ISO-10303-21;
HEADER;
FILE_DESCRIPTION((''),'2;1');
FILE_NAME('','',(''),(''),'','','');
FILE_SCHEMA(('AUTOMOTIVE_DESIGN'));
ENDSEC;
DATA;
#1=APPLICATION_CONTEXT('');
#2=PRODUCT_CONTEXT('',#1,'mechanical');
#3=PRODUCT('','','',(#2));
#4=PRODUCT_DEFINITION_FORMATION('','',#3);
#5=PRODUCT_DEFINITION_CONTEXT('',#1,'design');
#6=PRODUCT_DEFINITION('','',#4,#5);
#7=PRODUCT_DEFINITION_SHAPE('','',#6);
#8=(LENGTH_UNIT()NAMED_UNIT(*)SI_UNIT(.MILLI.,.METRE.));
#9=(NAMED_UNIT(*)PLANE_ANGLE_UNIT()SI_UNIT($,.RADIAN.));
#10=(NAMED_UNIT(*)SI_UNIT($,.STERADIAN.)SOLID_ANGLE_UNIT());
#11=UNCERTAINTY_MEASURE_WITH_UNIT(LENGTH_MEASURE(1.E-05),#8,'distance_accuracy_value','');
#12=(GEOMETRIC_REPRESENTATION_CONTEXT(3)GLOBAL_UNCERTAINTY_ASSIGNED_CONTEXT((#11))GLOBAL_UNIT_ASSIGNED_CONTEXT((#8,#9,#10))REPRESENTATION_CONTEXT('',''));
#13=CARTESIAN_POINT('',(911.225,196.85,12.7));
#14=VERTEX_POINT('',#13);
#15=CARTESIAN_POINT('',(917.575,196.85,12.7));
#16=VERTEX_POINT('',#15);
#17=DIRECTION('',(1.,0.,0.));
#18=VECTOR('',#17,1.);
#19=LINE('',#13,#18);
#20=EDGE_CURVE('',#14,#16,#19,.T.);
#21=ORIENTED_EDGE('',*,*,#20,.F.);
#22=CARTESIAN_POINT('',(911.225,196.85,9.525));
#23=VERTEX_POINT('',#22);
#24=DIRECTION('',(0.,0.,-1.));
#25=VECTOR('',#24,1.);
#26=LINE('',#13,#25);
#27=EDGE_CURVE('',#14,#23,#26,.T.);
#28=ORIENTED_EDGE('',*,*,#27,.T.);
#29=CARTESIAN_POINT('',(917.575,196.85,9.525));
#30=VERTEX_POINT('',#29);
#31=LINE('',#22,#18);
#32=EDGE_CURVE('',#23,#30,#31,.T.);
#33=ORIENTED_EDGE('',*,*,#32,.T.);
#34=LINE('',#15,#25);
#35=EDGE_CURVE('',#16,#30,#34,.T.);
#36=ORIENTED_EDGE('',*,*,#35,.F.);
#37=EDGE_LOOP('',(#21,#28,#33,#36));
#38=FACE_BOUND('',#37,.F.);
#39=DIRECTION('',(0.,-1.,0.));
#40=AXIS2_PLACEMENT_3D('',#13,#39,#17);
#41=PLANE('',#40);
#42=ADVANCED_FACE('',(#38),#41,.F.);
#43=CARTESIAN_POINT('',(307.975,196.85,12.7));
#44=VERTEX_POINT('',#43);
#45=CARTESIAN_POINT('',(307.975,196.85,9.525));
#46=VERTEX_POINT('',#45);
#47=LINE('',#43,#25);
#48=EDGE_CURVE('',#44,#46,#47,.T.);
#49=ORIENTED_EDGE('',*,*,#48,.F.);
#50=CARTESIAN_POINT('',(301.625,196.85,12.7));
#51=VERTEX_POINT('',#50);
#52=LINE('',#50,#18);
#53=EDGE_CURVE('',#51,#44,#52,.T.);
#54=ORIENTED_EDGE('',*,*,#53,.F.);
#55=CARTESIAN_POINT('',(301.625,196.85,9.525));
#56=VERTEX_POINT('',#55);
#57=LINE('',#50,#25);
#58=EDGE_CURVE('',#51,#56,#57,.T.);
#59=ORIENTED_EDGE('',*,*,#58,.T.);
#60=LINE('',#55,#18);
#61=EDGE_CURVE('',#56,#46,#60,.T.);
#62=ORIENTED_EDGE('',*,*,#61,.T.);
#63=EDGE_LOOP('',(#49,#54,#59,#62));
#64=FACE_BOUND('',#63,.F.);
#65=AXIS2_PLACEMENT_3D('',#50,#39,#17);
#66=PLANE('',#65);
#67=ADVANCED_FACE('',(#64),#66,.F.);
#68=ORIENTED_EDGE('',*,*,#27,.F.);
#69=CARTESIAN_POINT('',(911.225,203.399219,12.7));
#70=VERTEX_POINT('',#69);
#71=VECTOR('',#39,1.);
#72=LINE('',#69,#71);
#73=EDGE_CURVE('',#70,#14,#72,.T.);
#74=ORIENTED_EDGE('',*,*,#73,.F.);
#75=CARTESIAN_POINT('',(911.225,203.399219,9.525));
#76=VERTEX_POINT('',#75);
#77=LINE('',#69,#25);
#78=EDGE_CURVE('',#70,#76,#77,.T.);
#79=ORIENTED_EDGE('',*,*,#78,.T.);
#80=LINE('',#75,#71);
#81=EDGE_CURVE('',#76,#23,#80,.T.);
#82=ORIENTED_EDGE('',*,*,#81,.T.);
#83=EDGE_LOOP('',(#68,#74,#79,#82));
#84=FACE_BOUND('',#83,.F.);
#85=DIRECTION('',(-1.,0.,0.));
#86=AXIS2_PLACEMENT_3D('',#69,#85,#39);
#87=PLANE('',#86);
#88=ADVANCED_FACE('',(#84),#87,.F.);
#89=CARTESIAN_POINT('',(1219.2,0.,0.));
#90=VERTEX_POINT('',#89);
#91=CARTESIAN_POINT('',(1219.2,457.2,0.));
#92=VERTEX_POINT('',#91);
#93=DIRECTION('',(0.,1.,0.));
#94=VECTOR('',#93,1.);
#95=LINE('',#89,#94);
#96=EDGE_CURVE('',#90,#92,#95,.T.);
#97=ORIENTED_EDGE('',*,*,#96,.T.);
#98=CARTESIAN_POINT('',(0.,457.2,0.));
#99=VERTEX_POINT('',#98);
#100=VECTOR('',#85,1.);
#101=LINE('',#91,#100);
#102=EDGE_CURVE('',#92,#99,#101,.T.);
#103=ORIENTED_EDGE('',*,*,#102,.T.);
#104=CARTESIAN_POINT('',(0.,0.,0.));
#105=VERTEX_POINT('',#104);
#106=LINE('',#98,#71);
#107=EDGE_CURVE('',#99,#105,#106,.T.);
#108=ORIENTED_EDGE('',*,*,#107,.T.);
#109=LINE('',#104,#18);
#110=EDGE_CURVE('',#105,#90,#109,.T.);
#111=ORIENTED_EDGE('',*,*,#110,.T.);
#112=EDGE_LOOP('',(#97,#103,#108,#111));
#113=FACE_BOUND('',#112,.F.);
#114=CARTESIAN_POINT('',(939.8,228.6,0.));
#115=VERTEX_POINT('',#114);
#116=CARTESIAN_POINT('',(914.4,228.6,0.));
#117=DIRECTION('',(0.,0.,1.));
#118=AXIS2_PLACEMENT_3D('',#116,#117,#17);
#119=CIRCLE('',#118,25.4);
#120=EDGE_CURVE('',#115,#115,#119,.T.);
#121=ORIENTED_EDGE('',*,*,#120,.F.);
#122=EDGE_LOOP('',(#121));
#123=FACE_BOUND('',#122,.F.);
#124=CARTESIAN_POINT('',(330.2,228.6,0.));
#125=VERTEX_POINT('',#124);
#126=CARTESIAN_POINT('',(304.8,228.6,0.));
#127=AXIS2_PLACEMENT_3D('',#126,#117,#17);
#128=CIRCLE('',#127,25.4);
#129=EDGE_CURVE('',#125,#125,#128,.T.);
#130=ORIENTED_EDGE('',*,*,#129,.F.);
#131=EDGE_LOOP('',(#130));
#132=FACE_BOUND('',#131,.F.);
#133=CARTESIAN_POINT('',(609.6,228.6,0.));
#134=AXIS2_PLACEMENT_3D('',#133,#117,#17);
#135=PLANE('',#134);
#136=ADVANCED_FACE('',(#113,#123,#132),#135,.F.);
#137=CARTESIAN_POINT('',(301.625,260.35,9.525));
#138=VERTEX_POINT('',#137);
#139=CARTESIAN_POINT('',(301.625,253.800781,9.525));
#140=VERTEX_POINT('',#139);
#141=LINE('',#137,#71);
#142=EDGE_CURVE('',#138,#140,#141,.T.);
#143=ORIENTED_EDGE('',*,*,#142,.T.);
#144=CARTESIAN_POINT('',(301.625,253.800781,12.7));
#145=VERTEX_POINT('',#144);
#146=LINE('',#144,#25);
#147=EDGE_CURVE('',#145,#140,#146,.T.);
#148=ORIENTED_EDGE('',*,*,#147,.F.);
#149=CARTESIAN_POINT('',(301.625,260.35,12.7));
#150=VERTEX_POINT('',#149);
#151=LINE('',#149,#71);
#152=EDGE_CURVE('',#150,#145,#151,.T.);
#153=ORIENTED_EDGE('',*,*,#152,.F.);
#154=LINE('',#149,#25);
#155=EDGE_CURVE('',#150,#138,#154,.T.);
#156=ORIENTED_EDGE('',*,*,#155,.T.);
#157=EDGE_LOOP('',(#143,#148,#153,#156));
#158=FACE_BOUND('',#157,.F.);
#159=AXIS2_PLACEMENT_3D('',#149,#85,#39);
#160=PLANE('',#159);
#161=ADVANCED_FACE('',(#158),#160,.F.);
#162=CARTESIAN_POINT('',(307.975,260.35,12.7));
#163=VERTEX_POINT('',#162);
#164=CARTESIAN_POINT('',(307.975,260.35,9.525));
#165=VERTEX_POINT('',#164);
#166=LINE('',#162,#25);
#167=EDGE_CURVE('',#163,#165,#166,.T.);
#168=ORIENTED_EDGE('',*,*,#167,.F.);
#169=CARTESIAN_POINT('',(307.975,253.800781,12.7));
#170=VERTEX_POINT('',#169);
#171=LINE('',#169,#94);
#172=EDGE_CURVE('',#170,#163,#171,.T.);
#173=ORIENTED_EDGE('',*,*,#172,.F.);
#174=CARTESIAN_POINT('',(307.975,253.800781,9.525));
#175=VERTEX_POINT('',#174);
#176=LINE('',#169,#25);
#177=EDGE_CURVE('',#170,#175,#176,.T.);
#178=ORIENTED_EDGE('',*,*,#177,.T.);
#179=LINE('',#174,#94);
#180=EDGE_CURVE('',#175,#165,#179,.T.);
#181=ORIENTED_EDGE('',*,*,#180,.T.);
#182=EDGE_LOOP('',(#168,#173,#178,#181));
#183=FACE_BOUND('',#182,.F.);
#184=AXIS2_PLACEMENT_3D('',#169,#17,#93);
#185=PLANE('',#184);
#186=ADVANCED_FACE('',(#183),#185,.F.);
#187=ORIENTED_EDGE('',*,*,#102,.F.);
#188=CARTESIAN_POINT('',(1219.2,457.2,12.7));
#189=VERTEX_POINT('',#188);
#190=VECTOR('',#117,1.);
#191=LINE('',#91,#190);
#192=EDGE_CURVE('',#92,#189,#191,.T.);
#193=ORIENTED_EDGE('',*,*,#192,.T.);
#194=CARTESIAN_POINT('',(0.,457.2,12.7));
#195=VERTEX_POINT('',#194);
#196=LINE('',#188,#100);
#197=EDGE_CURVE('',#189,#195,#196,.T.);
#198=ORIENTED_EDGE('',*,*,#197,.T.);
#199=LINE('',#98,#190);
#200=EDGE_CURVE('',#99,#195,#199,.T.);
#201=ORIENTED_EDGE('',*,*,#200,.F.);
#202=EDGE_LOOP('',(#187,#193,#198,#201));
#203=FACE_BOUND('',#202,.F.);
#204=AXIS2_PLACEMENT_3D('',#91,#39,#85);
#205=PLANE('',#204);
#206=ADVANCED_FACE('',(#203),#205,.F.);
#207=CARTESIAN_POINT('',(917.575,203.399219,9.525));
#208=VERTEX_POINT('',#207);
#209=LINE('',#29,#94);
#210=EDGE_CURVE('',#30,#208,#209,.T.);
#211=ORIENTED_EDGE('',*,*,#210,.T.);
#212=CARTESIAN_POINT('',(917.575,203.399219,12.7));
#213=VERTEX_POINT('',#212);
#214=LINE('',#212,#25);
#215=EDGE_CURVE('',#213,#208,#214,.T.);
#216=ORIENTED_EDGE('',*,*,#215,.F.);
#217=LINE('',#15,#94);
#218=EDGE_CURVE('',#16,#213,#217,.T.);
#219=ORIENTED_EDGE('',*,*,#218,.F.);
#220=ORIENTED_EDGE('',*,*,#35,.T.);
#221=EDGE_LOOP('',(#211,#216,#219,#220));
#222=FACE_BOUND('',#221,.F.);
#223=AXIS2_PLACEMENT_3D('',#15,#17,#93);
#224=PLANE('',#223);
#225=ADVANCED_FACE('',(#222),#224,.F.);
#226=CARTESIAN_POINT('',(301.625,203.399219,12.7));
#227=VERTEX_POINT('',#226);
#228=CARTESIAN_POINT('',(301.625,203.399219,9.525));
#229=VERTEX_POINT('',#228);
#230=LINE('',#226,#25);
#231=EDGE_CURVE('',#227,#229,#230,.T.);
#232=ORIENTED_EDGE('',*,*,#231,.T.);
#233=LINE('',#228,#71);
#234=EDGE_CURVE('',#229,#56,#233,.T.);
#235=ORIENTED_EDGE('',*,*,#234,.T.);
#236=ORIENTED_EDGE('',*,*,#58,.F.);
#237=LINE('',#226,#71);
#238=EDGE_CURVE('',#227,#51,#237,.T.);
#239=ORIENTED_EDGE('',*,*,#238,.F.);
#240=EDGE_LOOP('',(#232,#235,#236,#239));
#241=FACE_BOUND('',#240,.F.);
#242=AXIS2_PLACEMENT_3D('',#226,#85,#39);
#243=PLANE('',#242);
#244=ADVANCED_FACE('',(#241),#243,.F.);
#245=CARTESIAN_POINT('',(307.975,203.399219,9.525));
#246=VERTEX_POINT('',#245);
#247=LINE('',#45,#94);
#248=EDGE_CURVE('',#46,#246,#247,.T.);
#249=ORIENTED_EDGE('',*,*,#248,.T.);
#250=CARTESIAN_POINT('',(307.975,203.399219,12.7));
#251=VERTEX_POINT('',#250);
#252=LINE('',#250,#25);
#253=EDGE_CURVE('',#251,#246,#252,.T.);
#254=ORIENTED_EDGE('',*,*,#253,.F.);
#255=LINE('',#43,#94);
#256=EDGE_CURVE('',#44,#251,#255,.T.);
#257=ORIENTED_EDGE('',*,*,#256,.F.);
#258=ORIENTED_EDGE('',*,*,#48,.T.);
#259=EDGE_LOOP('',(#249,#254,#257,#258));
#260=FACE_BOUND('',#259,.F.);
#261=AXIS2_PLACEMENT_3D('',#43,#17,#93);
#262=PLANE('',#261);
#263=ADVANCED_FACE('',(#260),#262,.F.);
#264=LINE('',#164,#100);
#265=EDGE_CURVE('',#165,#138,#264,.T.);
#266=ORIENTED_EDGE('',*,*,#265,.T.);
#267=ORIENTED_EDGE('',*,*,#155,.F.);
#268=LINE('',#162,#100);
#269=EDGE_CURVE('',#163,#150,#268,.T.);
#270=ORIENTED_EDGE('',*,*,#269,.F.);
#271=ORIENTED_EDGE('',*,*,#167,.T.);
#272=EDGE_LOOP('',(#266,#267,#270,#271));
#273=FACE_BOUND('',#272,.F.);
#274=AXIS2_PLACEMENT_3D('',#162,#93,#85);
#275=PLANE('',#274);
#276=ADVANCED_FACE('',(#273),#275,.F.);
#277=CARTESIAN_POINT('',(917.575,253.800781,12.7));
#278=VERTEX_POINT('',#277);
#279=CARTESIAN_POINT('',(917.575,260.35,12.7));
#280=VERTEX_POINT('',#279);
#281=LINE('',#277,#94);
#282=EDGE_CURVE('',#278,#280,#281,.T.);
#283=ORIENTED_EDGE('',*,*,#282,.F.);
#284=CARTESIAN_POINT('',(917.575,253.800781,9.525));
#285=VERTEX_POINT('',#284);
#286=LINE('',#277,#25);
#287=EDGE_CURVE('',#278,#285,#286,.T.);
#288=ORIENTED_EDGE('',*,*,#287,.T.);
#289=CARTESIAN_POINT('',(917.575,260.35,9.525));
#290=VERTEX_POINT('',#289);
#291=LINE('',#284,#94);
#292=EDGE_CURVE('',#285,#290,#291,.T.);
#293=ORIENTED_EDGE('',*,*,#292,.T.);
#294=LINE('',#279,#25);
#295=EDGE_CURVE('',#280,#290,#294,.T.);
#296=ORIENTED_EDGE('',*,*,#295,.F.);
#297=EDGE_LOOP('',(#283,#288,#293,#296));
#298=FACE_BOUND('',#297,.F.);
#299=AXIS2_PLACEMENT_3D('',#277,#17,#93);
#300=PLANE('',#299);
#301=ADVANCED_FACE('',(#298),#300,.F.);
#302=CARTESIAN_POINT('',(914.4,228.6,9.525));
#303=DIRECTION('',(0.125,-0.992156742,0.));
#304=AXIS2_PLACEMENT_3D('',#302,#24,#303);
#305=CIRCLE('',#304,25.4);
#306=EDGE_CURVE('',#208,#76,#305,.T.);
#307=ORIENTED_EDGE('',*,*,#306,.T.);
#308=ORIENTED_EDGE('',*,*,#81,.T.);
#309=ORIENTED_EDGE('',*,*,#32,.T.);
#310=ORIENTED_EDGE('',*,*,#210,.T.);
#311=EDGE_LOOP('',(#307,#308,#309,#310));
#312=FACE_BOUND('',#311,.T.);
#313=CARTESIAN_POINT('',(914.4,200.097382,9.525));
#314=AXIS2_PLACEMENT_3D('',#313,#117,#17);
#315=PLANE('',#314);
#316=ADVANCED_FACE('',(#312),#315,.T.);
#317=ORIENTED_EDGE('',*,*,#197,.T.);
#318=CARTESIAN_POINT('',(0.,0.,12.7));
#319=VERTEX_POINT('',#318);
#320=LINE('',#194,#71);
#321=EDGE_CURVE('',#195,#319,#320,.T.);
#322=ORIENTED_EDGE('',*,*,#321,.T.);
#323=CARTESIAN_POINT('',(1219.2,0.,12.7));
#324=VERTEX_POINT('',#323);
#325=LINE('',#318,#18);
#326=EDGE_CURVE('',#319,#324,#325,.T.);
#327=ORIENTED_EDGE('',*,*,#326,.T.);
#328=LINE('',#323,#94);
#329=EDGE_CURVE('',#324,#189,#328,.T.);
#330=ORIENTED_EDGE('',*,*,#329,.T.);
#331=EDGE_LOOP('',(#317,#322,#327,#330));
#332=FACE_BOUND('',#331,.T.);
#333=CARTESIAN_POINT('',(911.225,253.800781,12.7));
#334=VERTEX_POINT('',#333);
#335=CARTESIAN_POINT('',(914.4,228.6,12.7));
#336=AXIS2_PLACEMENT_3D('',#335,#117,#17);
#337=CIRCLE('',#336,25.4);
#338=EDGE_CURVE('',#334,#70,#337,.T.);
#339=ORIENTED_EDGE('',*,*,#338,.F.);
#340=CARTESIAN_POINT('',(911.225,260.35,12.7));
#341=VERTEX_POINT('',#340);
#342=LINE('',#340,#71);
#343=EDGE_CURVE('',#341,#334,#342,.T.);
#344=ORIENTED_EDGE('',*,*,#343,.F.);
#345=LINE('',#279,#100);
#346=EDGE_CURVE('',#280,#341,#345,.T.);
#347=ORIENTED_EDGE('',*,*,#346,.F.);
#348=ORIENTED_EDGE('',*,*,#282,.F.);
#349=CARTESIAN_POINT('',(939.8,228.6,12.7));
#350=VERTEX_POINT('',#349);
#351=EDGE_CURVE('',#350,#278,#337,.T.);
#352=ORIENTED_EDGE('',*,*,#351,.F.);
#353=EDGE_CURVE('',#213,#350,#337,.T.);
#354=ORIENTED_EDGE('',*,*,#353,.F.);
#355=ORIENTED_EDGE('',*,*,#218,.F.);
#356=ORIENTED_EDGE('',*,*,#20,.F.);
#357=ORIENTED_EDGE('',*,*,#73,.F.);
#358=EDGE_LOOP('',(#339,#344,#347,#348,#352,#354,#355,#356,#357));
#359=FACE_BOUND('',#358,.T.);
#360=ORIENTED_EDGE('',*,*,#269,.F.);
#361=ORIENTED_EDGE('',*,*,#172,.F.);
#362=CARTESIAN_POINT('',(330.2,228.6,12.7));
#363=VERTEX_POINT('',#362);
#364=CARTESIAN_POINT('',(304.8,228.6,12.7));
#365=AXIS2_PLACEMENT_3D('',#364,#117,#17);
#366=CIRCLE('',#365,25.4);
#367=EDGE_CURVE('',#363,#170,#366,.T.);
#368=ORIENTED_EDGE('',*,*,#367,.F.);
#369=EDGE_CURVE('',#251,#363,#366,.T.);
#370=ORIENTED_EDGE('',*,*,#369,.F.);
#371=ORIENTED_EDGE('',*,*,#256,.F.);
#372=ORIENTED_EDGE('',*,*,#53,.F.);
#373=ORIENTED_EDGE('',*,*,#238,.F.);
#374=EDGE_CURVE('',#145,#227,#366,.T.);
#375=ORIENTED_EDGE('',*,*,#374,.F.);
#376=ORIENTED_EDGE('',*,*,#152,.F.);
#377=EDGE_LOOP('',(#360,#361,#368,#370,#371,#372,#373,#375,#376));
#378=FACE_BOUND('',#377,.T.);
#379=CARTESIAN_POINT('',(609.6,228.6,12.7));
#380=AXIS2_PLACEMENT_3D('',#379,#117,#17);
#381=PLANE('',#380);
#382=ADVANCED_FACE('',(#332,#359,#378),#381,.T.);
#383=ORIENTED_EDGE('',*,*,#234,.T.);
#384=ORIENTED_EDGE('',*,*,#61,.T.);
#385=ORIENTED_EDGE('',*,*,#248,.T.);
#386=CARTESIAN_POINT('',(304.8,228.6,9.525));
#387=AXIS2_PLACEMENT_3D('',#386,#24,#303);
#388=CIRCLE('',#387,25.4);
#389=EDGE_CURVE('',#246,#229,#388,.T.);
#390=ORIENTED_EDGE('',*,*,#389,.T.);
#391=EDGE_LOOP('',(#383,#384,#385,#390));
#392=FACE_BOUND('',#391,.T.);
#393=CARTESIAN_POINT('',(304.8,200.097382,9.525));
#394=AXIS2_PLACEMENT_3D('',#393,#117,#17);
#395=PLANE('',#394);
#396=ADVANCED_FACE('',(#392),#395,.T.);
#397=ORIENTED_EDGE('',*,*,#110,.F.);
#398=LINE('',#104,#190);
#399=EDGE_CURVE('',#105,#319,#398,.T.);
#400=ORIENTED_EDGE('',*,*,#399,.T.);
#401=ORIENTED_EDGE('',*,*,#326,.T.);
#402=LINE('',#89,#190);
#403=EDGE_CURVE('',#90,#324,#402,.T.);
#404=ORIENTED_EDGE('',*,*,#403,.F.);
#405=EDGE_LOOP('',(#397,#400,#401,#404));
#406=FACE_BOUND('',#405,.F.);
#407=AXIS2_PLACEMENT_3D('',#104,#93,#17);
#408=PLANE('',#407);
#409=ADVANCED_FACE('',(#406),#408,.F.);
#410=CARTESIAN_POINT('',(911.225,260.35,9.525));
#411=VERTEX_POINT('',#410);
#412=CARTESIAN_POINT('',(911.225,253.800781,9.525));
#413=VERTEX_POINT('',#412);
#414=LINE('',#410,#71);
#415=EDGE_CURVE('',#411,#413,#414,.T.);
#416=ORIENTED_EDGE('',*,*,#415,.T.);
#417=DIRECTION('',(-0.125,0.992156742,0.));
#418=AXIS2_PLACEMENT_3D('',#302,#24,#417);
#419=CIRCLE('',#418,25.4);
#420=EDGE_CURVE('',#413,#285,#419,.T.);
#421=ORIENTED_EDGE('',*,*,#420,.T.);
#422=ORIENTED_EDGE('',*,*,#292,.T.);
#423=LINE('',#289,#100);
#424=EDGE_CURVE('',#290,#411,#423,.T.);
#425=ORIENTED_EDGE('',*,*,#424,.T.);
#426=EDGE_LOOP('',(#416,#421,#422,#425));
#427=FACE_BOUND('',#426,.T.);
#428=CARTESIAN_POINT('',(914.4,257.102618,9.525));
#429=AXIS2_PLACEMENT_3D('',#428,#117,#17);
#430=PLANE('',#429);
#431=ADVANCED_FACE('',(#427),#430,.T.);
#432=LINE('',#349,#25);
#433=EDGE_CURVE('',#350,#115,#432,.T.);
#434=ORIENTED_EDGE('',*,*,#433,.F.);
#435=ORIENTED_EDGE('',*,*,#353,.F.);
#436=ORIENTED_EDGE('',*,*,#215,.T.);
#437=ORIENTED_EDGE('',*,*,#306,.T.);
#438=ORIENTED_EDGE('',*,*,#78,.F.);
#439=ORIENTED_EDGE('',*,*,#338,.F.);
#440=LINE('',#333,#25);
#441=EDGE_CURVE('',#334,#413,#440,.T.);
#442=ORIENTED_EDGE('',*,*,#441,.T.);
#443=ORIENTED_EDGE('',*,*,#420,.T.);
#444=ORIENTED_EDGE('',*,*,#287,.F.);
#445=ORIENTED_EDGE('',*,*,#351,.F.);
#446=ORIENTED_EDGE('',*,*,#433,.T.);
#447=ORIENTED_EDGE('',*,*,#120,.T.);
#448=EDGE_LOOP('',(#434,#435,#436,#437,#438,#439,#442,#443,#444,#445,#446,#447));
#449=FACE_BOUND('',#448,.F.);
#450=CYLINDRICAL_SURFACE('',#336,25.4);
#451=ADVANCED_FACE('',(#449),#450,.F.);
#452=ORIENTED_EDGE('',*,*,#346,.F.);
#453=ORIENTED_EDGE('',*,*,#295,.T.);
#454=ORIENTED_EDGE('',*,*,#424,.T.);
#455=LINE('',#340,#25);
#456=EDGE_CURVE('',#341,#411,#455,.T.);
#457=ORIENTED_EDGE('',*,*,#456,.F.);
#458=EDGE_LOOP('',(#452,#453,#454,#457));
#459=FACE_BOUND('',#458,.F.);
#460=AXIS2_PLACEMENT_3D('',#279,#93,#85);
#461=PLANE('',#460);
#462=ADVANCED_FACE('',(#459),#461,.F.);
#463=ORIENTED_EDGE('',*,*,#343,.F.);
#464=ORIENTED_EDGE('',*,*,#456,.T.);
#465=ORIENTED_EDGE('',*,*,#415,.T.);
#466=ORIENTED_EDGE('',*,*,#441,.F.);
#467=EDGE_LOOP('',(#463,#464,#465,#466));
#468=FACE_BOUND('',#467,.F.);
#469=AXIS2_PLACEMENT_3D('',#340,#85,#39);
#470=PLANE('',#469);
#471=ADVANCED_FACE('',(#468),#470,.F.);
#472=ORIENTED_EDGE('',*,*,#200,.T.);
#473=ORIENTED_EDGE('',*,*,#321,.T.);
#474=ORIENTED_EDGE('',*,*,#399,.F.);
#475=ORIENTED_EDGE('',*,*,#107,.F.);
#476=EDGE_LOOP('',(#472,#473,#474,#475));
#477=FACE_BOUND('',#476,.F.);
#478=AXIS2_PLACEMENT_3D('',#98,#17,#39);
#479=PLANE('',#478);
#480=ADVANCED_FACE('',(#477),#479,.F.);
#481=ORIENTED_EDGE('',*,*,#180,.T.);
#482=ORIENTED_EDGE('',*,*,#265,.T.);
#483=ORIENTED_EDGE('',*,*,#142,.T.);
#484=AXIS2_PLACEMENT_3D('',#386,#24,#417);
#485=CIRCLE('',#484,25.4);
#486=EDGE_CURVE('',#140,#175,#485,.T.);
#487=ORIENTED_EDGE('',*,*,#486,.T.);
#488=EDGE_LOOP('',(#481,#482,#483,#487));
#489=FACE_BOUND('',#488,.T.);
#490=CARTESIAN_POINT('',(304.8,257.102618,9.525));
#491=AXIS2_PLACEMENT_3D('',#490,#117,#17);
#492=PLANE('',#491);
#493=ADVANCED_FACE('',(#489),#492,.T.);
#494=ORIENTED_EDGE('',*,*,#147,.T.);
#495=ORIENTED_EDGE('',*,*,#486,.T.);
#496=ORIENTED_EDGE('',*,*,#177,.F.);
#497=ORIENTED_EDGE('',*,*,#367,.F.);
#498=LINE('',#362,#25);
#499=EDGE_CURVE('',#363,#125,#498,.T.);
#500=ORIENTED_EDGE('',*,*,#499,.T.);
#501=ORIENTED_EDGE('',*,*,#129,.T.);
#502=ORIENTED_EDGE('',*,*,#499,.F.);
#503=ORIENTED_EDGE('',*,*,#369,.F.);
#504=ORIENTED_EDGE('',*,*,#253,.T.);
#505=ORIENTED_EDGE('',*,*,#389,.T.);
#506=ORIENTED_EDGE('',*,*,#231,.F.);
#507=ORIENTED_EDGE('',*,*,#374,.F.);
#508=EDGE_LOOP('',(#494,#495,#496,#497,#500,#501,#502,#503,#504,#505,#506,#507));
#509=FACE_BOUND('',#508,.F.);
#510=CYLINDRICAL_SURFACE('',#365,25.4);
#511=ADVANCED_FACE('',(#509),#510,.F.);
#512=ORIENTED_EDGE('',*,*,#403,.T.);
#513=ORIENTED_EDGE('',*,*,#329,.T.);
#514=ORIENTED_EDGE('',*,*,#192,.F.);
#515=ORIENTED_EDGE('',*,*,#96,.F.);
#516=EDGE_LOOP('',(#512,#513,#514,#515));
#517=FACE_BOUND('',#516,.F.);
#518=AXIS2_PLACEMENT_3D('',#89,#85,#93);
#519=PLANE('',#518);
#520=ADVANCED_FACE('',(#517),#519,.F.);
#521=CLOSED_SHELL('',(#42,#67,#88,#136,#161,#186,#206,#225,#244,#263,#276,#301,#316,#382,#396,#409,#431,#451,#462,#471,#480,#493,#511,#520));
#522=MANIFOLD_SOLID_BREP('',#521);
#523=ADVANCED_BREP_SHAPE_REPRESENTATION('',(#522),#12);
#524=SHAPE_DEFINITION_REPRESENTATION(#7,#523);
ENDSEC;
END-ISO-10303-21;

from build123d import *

# Parameters (mm, degrees)
F1_DEPTH = 12.7
F2_R     = 25.4
F3_DEPTH = 12.7
F5_DEPTH = 3.175


with BuildPart() as f1:
    # F0 (on Top) → F1 (new body)
    with BuildSketch(Plane.XY):
        Polygon((0, 0), (88.9, 0), (1130.3, 0), (1219.2, 0), (1219.2, 19.05), (1219.2, 438.15), (1219.2, 457.2), (1130.3, 457.2), (88.9, 457.2), (0, 457.2), (0, 438.15), (0, 19.05), align=None)
    extrude(amount=F1_DEPTH)

    # F2 (on face) → F3 (cut, through all)
    with BuildSketch(Plane.XY.offset(12.7)):
        with Locations((914.4, 228.6)):
            Circle(F2_R)
        with Locations((304.8, 228.6)):
            Circle(F2_R)
    extrude(amount=-F3_DEPTH, mode=Mode.SUBTRACT)

    # F4 (on face) → F5 (cut)
    with BuildSketch(Plane.XY.offset(12.7)):
        with BuildLine():
            Line((301.625, 260.35), (301.625, 253.8007812379))
            ThreePointArc((301.625, 253.8007812379), (304.8, 254), (307.975, 253.8007812379))
            Line((307.975, 253.8007812379), (307.975, 260.35))
            Line((307.975, 260.35), (304.8, 260.35))
            Line((304.8, 260.35), (301.625, 260.35))
        make_face()
        with BuildLine():
            ThreePointArc((307.975, 203.3992187621), (304.8, 203.2), (301.625, 203.3992187621))
            Line((301.625, 203.3992187621), (301.625, 196.85))
            Line((301.625, 196.85), (304.8, 196.85))
            Line((304.8, 196.85), (307.975, 196.85))
            Line((307.975, 196.85), (307.975, 203.3992187621))
        make_face()
        with BuildLine():
            Line((917.575, 196.85), (917.575, 203.3992187621))
            ThreePointArc((917.575, 203.3992187621), (914.4, 203.2), (911.225, 203.3992187621))
            Line((911.225, 203.3992187621), (911.225, 196.85))
            Line((911.225, 196.85), (914.4, 196.85))
            Line((914.4, 196.85), (917.575, 196.85))
        make_face()
        with BuildLine():
            ThreePointArc((911.225, 253.8007812379), (914.4, 254), (917.575, 253.8007812379))
            Line((917.575, 253.8007812379), (917.575, 260.35))
            Line((917.575, 260.35), (914.4, 260.35))
            Line((914.4, 260.35), (911.225, 260.35))
            Line((911.225, 260.35), (911.225, 253.8007812379))
        make_face()
    extrude(amount=-F5_DEPTH, mode=Mode.SUBTRACT)


solid = f1.part
